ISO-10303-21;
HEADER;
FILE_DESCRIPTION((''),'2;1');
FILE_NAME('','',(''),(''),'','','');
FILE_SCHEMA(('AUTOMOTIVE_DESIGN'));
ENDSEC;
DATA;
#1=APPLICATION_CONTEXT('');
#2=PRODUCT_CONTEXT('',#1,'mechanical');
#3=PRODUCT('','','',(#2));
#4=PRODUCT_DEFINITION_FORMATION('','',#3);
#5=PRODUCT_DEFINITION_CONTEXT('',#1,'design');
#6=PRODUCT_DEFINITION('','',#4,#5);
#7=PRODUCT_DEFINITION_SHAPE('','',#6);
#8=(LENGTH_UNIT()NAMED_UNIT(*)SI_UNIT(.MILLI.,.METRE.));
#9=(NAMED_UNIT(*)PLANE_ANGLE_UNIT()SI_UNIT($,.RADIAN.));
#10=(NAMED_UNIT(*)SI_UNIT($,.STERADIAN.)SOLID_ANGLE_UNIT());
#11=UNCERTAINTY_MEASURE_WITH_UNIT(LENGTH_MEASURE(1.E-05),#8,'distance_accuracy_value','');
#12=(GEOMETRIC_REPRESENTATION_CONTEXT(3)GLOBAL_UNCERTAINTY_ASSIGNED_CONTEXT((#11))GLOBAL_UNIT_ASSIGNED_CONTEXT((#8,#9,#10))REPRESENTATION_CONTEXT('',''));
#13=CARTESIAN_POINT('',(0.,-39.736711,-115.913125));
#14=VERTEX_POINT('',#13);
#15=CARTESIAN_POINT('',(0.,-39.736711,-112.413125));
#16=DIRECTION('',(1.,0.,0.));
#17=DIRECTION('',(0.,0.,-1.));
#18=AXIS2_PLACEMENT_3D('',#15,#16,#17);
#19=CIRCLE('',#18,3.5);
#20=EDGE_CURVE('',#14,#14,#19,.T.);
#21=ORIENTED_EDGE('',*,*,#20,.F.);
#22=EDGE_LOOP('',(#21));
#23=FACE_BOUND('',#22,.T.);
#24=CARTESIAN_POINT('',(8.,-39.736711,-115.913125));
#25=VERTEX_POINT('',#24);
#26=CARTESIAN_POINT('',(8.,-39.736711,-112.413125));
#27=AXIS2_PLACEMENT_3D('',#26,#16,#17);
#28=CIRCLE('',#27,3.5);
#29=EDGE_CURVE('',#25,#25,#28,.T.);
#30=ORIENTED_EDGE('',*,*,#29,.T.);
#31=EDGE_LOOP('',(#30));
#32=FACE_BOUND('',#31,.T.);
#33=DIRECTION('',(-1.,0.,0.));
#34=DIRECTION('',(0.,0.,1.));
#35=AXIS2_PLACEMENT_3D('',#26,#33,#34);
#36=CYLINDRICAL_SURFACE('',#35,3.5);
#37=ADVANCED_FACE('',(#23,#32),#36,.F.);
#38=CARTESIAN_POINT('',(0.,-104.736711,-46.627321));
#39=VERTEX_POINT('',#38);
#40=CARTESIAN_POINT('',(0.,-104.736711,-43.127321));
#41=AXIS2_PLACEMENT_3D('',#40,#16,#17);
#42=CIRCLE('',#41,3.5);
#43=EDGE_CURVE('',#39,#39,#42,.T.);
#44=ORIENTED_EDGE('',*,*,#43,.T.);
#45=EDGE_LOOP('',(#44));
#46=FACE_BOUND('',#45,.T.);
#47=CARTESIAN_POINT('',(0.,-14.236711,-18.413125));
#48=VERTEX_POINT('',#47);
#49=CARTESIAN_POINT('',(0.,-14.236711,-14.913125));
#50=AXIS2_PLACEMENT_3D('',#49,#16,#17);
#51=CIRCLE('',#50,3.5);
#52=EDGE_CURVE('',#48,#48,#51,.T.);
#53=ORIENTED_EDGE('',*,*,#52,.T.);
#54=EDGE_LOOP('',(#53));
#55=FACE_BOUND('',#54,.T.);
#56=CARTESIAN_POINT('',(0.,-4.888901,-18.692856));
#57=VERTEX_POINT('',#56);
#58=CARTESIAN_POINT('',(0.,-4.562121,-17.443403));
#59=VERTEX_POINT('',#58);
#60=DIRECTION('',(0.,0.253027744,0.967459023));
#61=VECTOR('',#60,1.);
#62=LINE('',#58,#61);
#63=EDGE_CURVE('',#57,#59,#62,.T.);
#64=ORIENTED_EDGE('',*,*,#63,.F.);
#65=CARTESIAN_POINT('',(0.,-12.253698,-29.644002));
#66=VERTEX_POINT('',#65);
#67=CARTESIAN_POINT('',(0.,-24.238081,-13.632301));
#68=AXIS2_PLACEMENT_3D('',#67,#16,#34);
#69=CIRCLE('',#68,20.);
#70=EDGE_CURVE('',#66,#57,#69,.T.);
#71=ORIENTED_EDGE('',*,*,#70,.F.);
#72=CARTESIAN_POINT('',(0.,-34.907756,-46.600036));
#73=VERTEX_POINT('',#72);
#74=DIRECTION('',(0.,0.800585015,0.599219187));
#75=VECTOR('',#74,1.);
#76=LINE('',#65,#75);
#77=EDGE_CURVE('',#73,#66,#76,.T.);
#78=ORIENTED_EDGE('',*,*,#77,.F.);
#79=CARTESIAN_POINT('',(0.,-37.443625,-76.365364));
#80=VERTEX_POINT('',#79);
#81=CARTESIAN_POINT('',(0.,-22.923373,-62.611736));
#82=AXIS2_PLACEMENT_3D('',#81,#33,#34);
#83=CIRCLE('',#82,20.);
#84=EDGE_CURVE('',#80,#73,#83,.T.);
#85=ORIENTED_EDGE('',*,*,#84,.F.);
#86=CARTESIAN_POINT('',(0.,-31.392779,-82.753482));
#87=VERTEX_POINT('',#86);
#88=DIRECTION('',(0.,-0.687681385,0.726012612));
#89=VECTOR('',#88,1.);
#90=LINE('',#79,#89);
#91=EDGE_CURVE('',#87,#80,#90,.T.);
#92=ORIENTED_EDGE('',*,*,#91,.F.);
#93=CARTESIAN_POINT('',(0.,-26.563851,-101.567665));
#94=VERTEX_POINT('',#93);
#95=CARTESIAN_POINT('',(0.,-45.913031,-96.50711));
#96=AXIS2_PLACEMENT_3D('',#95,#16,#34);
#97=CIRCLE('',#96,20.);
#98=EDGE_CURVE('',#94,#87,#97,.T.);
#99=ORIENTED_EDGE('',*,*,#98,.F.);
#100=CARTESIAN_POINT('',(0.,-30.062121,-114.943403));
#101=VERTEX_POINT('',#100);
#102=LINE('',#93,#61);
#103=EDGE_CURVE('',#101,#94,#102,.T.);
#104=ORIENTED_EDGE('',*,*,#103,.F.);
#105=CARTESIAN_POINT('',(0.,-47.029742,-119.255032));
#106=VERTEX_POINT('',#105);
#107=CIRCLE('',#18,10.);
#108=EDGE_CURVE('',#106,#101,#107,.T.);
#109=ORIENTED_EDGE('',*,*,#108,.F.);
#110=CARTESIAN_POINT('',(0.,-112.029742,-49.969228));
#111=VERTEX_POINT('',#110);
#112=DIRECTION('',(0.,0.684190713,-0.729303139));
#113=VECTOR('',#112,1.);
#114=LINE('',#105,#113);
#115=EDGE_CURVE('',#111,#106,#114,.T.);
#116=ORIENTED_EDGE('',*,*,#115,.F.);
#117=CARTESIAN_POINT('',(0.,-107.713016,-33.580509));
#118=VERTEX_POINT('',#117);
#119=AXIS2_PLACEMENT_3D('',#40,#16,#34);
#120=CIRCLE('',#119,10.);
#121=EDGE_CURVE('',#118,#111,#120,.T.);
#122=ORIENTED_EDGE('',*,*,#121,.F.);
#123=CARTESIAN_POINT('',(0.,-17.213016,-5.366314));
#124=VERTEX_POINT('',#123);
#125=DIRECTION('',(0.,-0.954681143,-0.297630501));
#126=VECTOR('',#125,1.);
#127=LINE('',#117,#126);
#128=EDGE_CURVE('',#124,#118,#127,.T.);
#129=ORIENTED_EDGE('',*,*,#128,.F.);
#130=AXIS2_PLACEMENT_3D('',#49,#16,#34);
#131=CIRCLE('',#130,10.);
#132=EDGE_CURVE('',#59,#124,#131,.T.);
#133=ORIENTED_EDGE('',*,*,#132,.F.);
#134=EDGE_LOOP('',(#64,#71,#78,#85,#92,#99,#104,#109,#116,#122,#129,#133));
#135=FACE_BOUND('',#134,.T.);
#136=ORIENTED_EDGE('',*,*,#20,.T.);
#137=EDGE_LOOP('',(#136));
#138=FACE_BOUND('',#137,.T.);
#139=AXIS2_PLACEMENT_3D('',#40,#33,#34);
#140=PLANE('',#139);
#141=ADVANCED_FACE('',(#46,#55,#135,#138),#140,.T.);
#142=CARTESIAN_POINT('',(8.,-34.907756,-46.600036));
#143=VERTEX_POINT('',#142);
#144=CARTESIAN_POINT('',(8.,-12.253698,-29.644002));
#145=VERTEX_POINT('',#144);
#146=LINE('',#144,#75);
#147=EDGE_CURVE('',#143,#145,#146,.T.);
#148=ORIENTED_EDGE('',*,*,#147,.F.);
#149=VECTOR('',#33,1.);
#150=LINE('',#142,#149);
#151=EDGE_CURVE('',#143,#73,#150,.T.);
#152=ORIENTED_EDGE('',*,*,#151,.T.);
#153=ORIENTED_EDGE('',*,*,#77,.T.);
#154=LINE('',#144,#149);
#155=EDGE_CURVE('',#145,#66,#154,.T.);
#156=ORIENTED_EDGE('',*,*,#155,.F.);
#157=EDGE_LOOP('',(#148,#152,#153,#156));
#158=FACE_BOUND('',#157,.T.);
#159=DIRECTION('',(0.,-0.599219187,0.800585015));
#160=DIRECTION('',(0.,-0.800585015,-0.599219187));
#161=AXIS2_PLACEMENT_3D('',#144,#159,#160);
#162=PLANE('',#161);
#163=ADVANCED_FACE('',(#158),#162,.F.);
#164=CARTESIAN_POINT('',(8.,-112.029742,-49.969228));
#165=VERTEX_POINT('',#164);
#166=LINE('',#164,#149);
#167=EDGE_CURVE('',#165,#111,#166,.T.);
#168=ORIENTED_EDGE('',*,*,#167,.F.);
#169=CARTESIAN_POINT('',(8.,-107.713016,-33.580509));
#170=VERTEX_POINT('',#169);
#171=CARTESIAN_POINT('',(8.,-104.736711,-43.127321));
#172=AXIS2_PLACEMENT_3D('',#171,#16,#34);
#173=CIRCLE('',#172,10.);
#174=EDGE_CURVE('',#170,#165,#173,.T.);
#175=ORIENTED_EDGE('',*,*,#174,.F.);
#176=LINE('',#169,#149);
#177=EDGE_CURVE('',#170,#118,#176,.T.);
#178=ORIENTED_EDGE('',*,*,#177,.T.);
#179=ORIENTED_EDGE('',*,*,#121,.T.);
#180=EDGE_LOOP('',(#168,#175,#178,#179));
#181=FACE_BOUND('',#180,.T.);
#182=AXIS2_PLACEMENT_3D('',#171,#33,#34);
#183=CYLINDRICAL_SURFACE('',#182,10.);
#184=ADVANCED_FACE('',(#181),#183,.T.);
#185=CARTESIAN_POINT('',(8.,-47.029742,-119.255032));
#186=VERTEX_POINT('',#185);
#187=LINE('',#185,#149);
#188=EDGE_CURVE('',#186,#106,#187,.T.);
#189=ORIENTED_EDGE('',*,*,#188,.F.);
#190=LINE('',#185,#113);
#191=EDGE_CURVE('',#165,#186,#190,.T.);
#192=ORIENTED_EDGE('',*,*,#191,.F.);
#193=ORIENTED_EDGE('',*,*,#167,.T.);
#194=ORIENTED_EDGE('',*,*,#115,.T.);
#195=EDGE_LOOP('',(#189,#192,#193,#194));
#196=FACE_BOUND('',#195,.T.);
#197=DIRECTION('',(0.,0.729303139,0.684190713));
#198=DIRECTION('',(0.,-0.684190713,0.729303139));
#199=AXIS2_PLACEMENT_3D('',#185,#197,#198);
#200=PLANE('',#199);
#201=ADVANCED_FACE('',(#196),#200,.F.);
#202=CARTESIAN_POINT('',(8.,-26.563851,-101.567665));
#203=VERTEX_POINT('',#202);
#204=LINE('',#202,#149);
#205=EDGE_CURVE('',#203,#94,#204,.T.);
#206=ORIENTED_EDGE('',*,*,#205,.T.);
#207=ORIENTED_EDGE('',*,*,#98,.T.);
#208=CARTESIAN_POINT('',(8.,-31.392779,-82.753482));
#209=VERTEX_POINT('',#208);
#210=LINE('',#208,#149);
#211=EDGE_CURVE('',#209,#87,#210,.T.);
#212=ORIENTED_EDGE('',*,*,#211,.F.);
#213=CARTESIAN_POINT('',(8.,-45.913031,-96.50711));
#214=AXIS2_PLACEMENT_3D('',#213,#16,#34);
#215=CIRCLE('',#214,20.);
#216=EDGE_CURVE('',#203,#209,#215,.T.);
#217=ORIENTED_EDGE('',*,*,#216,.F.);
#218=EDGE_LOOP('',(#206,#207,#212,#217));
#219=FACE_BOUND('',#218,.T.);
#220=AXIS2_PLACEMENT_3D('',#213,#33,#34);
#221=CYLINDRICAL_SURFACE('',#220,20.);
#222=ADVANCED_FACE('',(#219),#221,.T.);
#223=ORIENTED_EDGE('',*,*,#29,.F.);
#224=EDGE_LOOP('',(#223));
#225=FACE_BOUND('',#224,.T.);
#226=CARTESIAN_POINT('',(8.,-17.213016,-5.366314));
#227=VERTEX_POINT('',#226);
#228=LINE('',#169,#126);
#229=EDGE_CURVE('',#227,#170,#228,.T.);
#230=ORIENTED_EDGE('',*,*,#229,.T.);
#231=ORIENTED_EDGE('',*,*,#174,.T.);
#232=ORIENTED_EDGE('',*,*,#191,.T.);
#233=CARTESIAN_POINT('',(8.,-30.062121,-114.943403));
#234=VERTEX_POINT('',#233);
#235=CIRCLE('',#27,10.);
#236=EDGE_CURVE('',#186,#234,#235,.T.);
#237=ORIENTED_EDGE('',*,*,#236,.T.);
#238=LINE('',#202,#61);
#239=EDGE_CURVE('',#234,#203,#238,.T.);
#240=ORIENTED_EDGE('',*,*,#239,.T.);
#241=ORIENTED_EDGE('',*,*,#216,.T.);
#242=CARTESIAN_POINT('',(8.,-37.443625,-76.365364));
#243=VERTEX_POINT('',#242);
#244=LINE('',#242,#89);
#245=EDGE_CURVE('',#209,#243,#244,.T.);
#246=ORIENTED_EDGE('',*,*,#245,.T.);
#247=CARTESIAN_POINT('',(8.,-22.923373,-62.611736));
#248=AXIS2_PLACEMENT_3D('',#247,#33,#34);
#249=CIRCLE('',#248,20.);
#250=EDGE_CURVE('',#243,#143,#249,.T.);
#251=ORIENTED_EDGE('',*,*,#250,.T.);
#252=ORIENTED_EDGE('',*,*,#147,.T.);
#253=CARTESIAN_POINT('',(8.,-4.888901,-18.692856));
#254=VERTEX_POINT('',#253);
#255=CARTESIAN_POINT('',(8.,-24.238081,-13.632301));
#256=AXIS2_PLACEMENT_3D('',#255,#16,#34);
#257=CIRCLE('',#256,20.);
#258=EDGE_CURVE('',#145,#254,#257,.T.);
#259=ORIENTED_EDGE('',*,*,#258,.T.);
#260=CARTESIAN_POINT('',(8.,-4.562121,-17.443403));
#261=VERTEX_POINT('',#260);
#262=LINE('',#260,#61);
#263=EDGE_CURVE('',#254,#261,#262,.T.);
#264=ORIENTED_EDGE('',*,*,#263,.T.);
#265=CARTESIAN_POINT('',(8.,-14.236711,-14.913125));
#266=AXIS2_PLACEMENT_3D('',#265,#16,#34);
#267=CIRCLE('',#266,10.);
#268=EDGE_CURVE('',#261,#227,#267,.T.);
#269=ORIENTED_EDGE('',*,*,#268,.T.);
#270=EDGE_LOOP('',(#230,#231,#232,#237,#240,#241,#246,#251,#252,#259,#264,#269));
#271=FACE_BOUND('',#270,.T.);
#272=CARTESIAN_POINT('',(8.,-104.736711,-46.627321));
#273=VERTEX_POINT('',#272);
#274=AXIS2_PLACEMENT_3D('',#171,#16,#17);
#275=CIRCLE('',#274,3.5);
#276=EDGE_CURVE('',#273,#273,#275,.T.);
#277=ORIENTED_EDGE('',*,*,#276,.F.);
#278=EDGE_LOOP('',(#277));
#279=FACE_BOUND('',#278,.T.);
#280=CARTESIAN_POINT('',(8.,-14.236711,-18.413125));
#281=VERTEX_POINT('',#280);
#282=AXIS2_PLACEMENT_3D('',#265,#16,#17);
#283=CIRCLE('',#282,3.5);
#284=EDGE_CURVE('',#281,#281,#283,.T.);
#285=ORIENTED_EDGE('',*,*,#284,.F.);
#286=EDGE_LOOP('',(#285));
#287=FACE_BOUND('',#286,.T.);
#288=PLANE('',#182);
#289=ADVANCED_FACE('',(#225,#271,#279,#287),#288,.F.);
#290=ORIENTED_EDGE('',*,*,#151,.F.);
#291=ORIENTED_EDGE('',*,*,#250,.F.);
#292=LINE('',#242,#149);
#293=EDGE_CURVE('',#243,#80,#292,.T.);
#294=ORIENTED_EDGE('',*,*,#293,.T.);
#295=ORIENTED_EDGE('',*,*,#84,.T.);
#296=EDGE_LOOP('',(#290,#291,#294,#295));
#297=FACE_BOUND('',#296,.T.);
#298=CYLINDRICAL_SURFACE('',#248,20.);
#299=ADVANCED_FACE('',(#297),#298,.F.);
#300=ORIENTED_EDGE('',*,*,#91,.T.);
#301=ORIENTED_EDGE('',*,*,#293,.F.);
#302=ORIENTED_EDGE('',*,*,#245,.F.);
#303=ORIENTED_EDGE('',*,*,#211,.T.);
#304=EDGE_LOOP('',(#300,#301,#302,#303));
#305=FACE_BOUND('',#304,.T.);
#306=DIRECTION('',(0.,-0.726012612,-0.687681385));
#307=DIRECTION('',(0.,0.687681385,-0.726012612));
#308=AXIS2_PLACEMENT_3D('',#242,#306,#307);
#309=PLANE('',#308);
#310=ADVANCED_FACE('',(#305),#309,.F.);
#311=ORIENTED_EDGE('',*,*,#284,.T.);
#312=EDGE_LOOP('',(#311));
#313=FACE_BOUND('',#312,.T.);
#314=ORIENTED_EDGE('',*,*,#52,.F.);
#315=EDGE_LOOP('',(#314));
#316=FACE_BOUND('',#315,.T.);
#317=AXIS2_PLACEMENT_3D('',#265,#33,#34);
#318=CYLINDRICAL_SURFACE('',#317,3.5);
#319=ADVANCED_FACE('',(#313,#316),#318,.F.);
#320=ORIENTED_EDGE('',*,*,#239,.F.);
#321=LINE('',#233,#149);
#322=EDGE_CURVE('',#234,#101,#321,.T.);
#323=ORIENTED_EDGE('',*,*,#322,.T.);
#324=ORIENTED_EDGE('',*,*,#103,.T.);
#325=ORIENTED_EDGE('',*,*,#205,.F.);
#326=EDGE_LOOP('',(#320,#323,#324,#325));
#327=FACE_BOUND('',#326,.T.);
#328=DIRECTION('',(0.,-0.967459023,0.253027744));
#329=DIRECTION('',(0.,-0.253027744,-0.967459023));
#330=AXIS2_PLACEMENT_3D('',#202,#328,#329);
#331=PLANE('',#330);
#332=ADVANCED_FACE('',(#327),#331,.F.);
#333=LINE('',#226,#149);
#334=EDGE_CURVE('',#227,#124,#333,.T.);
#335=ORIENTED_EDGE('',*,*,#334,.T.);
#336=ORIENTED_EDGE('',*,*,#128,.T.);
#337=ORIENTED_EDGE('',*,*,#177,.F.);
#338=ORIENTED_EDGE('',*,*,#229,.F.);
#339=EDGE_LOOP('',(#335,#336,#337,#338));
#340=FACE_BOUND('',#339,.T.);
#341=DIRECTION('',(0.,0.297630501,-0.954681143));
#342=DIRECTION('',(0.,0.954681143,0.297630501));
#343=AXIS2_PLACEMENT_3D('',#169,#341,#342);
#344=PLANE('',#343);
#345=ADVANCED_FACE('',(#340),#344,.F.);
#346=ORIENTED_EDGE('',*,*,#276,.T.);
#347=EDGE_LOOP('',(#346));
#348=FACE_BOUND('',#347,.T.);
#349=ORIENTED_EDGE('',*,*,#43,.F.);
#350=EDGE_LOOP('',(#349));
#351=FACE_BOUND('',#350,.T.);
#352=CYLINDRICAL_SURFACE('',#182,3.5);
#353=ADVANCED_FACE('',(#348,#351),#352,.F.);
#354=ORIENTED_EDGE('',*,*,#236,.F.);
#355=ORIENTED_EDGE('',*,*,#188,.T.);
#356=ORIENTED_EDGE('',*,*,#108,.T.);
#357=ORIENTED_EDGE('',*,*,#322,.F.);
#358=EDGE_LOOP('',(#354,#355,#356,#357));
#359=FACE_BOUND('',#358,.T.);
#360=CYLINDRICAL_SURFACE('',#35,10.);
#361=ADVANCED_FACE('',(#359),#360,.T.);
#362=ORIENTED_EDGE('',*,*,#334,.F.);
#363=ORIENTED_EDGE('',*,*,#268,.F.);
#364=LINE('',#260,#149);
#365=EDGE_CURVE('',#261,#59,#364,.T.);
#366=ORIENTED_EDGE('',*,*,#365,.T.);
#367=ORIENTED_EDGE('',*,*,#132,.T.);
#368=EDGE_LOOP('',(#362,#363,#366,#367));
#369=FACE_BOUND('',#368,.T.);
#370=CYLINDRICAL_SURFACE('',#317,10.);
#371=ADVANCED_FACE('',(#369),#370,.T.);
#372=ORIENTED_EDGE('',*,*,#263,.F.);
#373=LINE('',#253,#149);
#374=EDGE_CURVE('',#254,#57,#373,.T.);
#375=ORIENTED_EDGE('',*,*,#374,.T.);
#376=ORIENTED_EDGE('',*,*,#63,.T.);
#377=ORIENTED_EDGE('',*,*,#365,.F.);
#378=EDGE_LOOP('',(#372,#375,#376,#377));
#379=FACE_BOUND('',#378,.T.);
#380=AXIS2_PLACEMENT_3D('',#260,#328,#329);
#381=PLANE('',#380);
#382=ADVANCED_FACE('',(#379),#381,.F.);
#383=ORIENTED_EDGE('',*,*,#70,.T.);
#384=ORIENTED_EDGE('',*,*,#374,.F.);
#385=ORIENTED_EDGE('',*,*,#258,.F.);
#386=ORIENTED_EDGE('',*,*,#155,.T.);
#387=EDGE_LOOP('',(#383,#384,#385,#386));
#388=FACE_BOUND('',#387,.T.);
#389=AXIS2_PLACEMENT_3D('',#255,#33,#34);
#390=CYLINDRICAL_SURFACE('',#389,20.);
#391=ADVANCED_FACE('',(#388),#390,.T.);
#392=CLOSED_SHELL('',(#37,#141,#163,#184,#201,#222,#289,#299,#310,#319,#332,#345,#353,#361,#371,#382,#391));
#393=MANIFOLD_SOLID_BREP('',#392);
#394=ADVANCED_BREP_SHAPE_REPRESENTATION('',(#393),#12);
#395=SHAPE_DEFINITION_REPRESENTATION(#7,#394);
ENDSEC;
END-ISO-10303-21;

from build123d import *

# Parameters (mm, degrees)
SCHIZZO2_R                   = 3.5
ESTRUSIONE_ESTRUSIONE1_DEPTH = 8


with BuildPart() as part:
    # Schizzo2 → Estrusione-Estrusione1 (new body)
    with BuildSketch(Plane(origin=(0, 0, 0), x_dir=(0, 0, -1), z_dir=(1, 0, 0))):
        with BuildLine():
            Line((17.443402623, -4.562120686), (18.692856186, -4.888900849))
            ThreePointArc((18.692856186, -4.888900849), (24.793396334, -7.641998704), (29.6440016, -12.25369757))
            Line((29.6440016, -12.25369757), (46.600035601, -34.907756452))
            ThreePointArc((46.600035601, -34.907756452), (60.913978484, -42.85118293), (76.365363597, -37.443624966))
            Line((76.365363597, -37.443624966), (82.753482475, -31.392779069))
            ThreePointArc((82.753482475, -31.392779069), (91.534986316, -26.540938387), (101.567665057, -26.563850861))
            Line((101.567665057, -26.563850861), (114.943402623, -30.062120686))
            ThreePointArc((114.943402623, -30.062120686), (122.105106749, -37.2738887), (119.255032306, -47.029742304))
            Line((119.255032306, -47.029742304), (49.969227683, -112.029742304))
            ThreePointArc((49.969227683, -112.029742304), (40.580232317, -114.406888859), (33.580509124, -107.713015918))
            Line((33.580509124, -107.713015918), (5.366313747, -17.213015918))
            ThreePointArc((5.366313747, -17.213015918), (7.679922234, -7.331584183), (17.443402623, -4.562120686))
        make_face()
        with Locations((14.913125179, -14.236710913)):
            Circle(SCHIZZO2_R, mode=Mode.SUBTRACT)
        with Locations((112.413125179, -39.736710913)):
            Circle(SCHIZZO2_R, mode=Mode.SUBTRACT)
        with Locations((43.127320556, -104.736710913)):
            Circle(SCHIZZO2_R, mode=Mode.SUBTRACT)
    extrude(amount=ESTRUSIONE_ESTRUSIONE1_DEPTH)


solid = part.part
